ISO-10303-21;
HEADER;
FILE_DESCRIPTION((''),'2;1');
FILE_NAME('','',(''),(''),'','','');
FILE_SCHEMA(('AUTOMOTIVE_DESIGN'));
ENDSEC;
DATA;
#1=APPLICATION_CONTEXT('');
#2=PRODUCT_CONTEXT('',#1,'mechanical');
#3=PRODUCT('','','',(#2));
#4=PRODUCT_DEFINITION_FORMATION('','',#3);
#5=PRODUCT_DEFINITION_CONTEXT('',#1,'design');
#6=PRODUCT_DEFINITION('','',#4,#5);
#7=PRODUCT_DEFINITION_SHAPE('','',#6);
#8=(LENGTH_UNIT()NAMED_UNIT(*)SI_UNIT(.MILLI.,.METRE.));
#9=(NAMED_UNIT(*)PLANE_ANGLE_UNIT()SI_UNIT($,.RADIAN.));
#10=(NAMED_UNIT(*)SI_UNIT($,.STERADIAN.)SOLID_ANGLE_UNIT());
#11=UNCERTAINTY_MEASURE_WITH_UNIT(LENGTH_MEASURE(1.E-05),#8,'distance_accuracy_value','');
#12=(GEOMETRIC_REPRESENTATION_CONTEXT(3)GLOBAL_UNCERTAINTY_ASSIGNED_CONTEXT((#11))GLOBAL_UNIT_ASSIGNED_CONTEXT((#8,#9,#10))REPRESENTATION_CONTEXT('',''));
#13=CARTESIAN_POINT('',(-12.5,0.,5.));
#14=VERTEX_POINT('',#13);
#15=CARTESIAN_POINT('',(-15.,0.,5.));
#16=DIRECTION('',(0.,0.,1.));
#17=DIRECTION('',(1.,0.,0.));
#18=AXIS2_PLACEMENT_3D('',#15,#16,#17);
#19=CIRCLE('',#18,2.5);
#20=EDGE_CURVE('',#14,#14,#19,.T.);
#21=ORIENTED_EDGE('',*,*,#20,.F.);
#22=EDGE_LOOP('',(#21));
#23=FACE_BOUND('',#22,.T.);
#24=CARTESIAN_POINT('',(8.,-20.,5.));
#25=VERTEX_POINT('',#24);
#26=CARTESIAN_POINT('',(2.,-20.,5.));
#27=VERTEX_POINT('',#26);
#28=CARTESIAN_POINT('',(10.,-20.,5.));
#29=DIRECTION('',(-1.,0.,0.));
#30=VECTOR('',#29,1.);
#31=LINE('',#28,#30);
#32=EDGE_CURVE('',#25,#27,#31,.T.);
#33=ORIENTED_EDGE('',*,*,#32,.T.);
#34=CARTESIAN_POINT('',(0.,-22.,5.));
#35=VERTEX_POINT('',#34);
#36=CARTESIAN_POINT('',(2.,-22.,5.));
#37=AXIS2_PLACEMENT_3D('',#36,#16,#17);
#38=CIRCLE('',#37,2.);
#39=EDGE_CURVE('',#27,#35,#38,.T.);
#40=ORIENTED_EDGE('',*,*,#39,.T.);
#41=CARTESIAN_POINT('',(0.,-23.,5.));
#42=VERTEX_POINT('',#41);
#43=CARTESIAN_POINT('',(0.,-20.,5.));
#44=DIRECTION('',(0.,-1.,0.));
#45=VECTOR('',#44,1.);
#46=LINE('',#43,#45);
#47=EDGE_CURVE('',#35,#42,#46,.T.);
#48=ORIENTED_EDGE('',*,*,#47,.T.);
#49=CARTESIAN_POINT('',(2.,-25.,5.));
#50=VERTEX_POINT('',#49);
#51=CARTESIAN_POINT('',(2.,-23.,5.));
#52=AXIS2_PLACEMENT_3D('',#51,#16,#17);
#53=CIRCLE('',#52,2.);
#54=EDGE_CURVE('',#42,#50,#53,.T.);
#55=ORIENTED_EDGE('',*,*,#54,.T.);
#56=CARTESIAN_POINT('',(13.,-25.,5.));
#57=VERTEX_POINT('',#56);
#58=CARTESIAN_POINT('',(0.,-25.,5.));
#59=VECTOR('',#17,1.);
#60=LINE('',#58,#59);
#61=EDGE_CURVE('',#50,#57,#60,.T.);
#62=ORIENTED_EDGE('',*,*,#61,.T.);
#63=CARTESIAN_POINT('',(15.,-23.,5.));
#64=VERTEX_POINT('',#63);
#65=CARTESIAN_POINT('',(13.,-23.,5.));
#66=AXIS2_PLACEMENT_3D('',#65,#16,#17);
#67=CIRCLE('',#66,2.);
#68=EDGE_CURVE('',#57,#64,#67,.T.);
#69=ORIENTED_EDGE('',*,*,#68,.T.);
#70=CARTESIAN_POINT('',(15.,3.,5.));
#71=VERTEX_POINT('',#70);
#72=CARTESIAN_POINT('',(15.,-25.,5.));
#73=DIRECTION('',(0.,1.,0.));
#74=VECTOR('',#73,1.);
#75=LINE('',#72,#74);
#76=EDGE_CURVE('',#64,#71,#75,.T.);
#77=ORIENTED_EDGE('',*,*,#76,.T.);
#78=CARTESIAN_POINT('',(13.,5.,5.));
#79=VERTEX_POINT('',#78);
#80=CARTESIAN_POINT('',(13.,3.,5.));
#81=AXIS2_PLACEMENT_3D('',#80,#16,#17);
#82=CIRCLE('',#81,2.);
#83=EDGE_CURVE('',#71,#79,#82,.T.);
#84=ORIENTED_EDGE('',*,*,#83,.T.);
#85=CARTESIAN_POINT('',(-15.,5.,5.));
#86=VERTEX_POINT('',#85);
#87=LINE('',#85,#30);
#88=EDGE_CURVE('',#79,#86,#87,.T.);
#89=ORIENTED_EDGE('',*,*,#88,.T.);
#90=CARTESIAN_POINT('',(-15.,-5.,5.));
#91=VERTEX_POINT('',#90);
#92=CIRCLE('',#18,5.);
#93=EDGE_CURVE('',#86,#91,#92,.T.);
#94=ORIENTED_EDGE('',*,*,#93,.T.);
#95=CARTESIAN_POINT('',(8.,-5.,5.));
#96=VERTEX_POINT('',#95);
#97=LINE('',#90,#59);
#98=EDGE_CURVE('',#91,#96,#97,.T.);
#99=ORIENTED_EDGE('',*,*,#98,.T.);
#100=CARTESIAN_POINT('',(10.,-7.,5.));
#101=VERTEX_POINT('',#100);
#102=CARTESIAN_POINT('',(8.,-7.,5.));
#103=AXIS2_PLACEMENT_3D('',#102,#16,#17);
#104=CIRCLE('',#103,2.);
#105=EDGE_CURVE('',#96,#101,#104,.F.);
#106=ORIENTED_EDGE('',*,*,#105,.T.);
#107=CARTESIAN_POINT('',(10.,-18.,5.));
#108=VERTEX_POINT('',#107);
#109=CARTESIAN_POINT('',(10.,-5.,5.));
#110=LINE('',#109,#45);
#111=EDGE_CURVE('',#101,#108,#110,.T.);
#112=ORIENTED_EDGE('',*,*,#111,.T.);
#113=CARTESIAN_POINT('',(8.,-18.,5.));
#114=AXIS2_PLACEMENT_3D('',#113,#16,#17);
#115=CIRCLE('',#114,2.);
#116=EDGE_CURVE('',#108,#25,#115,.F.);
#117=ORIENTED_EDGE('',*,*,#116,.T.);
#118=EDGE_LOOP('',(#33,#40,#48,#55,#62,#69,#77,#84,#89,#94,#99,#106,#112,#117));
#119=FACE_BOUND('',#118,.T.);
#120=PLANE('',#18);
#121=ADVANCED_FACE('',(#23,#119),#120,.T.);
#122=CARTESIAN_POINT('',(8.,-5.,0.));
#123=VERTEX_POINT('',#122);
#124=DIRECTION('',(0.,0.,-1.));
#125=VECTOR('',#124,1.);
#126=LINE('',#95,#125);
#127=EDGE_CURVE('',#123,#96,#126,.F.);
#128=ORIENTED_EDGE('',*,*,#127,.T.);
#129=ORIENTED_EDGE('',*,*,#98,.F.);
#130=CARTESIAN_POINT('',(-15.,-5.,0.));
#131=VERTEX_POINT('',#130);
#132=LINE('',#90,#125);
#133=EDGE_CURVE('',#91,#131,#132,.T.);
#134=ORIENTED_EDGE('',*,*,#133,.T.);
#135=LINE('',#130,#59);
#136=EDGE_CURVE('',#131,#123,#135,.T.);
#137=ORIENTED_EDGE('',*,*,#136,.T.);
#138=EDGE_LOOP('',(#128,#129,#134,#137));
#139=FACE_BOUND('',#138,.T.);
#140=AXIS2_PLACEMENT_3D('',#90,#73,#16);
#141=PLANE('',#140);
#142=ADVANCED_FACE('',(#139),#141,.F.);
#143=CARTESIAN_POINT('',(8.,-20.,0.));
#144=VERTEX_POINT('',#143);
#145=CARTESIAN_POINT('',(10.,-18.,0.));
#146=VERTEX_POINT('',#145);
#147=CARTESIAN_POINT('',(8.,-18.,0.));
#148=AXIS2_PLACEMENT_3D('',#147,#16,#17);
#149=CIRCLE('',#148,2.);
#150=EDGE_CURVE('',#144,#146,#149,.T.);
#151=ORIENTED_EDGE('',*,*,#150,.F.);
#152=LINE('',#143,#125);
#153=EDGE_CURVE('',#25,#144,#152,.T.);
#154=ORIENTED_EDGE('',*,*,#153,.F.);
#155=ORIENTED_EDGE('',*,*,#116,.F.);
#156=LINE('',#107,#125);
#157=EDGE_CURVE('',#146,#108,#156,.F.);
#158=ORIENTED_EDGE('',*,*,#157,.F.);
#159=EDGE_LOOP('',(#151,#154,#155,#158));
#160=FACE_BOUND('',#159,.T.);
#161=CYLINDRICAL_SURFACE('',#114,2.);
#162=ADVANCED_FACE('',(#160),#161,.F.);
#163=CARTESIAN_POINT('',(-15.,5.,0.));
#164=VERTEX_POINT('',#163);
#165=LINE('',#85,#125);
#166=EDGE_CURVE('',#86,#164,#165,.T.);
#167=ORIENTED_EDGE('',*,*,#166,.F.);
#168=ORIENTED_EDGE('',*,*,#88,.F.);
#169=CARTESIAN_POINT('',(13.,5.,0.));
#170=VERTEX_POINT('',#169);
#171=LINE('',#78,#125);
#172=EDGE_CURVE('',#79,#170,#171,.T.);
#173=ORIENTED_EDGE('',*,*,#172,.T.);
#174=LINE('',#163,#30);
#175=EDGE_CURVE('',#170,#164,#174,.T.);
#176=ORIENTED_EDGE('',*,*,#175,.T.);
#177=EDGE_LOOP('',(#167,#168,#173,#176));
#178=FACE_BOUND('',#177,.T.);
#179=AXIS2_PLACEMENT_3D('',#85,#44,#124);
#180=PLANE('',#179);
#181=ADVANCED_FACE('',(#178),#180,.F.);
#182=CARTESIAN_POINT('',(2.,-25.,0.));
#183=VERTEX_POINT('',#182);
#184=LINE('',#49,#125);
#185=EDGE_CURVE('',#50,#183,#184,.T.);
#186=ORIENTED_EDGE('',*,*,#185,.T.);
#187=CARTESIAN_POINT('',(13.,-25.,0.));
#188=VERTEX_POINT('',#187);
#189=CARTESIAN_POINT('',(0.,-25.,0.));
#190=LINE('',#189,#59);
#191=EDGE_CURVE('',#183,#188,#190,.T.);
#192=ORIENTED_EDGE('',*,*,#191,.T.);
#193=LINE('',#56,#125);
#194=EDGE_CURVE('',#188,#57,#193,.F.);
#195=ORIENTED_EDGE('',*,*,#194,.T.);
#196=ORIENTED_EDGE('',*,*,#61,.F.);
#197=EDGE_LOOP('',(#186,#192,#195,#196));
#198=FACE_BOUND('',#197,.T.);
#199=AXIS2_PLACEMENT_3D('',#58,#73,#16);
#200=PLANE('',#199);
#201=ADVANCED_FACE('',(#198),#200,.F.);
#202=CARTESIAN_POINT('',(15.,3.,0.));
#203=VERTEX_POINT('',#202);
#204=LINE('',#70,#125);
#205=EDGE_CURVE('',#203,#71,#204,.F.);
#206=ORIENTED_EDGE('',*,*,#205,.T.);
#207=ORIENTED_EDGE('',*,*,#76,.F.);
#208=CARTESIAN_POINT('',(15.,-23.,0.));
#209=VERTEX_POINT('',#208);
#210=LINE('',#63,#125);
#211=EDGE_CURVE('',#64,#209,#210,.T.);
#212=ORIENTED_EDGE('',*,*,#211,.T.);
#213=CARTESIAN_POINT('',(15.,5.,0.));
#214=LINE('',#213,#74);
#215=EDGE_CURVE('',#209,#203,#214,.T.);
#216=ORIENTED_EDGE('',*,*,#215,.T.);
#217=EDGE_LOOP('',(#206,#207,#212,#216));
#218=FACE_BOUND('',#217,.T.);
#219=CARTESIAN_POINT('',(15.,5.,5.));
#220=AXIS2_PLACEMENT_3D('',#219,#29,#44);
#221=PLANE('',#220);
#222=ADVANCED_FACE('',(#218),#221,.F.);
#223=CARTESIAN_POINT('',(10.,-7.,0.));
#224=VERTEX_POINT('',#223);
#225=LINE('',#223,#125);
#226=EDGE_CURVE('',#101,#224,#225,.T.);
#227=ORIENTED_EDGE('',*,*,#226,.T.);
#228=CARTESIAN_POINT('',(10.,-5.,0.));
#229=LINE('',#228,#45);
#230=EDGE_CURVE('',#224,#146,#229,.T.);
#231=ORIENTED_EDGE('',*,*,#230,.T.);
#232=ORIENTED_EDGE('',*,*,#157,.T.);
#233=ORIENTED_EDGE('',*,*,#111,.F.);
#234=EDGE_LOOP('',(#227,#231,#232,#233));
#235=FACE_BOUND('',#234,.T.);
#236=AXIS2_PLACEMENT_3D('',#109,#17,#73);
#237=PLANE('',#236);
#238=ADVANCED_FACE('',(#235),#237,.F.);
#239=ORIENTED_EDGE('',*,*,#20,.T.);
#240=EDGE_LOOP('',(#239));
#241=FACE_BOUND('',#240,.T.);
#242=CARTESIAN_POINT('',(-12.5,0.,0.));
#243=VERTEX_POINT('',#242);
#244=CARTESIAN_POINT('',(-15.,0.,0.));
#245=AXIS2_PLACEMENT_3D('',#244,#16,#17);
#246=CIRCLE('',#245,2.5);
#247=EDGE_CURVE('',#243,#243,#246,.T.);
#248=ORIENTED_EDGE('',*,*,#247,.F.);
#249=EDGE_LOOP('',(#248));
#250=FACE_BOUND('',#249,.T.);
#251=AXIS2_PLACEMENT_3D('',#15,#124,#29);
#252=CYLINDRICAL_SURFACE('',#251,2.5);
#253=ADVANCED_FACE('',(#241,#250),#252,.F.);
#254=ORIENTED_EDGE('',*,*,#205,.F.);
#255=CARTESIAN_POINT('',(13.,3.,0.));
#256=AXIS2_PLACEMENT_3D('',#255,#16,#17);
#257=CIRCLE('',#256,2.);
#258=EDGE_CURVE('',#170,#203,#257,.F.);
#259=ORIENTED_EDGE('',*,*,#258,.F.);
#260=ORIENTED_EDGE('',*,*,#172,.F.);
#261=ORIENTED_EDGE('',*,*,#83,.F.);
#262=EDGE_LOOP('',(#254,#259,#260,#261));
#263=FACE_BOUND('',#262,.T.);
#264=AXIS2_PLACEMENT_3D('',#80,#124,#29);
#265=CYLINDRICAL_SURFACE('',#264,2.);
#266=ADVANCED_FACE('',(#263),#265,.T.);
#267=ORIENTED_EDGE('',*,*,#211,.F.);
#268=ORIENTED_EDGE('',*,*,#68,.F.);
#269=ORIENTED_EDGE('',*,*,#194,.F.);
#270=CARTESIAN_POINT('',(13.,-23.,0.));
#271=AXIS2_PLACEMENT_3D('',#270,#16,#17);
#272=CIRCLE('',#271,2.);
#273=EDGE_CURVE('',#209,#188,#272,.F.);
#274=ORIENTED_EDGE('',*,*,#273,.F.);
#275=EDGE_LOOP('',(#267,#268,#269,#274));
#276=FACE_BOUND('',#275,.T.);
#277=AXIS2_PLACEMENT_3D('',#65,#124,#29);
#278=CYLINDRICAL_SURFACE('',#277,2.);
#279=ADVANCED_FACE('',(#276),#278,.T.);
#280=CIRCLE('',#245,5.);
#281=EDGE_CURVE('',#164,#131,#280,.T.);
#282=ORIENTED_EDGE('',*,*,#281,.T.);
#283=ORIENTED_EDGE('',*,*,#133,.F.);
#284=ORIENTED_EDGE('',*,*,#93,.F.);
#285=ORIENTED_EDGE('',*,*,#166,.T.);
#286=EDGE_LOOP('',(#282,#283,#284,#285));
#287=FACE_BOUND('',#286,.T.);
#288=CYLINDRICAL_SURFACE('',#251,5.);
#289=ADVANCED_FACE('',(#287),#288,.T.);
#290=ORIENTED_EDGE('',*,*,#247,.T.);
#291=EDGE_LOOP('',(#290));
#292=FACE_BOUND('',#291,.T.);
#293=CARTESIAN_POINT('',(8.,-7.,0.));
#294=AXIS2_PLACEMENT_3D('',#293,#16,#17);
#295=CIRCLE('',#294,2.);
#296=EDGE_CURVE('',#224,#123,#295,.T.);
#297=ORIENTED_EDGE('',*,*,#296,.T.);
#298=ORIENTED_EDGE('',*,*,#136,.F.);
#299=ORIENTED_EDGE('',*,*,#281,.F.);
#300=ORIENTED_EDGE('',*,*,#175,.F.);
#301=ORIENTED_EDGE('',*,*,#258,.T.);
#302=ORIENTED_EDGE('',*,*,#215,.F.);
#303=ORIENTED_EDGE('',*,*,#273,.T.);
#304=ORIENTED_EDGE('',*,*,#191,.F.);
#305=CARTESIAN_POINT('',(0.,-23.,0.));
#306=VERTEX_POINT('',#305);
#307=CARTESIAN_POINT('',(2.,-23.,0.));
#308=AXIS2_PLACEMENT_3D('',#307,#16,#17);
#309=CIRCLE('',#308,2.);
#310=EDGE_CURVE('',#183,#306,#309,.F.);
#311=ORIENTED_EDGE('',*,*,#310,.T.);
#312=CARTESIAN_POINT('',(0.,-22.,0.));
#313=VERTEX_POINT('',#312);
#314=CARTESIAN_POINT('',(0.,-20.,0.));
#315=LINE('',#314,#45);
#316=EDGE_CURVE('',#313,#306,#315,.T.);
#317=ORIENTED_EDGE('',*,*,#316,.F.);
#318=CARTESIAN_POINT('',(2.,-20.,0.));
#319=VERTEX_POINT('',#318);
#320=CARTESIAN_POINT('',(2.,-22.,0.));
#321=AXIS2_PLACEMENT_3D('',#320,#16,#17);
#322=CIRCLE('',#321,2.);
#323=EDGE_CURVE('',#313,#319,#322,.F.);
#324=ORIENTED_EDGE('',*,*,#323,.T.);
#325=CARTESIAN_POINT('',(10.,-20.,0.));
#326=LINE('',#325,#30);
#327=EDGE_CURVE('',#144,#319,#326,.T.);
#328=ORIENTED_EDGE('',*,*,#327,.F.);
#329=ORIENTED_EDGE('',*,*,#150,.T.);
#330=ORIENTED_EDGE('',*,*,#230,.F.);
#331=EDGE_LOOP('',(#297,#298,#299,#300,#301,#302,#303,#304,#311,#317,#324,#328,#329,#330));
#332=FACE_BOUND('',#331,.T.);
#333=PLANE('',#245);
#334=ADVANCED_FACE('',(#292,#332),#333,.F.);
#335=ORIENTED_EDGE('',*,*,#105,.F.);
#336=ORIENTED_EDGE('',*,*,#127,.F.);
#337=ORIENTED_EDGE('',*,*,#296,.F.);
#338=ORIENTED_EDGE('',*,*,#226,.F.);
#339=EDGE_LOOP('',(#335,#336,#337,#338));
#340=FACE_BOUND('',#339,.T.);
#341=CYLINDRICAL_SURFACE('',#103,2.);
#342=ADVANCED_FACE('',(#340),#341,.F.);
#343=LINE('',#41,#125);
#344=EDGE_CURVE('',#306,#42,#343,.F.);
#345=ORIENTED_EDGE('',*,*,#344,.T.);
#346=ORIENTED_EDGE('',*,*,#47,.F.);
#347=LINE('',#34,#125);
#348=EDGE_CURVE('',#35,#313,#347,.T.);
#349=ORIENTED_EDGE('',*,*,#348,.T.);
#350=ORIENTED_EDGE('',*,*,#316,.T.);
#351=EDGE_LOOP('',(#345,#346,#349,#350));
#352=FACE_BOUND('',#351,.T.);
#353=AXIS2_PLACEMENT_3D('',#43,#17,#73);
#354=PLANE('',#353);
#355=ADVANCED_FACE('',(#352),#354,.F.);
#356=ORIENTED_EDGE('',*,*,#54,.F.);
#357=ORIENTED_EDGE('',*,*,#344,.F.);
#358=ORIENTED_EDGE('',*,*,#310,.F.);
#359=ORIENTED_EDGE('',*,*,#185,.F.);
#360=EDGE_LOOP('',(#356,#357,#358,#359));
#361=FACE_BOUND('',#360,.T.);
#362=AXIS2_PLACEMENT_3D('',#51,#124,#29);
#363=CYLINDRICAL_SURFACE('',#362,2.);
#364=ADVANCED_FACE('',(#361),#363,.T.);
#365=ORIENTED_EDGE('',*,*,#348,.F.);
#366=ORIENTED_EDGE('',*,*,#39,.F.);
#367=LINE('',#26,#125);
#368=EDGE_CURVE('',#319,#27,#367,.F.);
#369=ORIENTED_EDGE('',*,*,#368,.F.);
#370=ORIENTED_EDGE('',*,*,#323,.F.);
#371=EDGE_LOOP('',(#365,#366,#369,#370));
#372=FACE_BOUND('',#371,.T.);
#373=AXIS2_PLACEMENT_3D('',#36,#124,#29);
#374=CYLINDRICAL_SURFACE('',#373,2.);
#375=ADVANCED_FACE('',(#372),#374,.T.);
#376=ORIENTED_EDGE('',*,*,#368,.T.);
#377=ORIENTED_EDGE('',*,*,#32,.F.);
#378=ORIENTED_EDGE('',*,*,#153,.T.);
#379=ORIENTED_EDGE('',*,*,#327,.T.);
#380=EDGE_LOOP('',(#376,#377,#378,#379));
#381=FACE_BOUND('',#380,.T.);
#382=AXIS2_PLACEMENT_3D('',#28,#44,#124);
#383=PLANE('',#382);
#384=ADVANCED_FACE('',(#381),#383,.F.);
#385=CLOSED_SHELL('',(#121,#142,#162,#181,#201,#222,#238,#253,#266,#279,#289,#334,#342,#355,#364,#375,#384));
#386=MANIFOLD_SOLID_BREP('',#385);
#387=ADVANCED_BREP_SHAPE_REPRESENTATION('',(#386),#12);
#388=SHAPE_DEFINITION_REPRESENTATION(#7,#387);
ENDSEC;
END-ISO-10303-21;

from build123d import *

# Parameters (mm, degrees)
ESQUISSE1_R        = 2.5
BOSS_EXTRU_1_DEPTH = 5
CONG_1_R           = 2


with BuildPart() as part:
    # Esquisse1 → Boss.-Extru.1 (new body)
    with BuildSketch(Plane.XY):
        with BuildLine():
            Line((10, -5), (10, -20))
            Line((10, -20), (0, -20))
            Line((0, -20), (0, -25))
            Line((0, -25), (15, -25))
            Line((15, -25), (15, -5))
            Line((15, -5), (15, 5))
            Line((15, 5), (-15, 5))
            ThreePointArc((-15, 5), (-20, 0), (-15, -5))
            Line((-15, -5), (10, -5))
        make_face()
        with Locations((-15, 0)):
            Circle(ESQUISSE1_R, mode=Mode.SUBTRACT)
    extrude(amount=BOSS_EXTRU_1_DEPTH)

    # Congé1
    cong_1_edges = [part.edges().sort_by_distance(p)[0] for p in [
        (15, -25, 2.5),
        (0, -25, 2.5),
        (0, -20, 2.5),
        (10, -20, 2.5),
        (10, -5, 2.5),
        (15, 5, 2.5),
    ]]
    fillet(cong_1_edges, radius=CONG_1_R)


solid = part.part
